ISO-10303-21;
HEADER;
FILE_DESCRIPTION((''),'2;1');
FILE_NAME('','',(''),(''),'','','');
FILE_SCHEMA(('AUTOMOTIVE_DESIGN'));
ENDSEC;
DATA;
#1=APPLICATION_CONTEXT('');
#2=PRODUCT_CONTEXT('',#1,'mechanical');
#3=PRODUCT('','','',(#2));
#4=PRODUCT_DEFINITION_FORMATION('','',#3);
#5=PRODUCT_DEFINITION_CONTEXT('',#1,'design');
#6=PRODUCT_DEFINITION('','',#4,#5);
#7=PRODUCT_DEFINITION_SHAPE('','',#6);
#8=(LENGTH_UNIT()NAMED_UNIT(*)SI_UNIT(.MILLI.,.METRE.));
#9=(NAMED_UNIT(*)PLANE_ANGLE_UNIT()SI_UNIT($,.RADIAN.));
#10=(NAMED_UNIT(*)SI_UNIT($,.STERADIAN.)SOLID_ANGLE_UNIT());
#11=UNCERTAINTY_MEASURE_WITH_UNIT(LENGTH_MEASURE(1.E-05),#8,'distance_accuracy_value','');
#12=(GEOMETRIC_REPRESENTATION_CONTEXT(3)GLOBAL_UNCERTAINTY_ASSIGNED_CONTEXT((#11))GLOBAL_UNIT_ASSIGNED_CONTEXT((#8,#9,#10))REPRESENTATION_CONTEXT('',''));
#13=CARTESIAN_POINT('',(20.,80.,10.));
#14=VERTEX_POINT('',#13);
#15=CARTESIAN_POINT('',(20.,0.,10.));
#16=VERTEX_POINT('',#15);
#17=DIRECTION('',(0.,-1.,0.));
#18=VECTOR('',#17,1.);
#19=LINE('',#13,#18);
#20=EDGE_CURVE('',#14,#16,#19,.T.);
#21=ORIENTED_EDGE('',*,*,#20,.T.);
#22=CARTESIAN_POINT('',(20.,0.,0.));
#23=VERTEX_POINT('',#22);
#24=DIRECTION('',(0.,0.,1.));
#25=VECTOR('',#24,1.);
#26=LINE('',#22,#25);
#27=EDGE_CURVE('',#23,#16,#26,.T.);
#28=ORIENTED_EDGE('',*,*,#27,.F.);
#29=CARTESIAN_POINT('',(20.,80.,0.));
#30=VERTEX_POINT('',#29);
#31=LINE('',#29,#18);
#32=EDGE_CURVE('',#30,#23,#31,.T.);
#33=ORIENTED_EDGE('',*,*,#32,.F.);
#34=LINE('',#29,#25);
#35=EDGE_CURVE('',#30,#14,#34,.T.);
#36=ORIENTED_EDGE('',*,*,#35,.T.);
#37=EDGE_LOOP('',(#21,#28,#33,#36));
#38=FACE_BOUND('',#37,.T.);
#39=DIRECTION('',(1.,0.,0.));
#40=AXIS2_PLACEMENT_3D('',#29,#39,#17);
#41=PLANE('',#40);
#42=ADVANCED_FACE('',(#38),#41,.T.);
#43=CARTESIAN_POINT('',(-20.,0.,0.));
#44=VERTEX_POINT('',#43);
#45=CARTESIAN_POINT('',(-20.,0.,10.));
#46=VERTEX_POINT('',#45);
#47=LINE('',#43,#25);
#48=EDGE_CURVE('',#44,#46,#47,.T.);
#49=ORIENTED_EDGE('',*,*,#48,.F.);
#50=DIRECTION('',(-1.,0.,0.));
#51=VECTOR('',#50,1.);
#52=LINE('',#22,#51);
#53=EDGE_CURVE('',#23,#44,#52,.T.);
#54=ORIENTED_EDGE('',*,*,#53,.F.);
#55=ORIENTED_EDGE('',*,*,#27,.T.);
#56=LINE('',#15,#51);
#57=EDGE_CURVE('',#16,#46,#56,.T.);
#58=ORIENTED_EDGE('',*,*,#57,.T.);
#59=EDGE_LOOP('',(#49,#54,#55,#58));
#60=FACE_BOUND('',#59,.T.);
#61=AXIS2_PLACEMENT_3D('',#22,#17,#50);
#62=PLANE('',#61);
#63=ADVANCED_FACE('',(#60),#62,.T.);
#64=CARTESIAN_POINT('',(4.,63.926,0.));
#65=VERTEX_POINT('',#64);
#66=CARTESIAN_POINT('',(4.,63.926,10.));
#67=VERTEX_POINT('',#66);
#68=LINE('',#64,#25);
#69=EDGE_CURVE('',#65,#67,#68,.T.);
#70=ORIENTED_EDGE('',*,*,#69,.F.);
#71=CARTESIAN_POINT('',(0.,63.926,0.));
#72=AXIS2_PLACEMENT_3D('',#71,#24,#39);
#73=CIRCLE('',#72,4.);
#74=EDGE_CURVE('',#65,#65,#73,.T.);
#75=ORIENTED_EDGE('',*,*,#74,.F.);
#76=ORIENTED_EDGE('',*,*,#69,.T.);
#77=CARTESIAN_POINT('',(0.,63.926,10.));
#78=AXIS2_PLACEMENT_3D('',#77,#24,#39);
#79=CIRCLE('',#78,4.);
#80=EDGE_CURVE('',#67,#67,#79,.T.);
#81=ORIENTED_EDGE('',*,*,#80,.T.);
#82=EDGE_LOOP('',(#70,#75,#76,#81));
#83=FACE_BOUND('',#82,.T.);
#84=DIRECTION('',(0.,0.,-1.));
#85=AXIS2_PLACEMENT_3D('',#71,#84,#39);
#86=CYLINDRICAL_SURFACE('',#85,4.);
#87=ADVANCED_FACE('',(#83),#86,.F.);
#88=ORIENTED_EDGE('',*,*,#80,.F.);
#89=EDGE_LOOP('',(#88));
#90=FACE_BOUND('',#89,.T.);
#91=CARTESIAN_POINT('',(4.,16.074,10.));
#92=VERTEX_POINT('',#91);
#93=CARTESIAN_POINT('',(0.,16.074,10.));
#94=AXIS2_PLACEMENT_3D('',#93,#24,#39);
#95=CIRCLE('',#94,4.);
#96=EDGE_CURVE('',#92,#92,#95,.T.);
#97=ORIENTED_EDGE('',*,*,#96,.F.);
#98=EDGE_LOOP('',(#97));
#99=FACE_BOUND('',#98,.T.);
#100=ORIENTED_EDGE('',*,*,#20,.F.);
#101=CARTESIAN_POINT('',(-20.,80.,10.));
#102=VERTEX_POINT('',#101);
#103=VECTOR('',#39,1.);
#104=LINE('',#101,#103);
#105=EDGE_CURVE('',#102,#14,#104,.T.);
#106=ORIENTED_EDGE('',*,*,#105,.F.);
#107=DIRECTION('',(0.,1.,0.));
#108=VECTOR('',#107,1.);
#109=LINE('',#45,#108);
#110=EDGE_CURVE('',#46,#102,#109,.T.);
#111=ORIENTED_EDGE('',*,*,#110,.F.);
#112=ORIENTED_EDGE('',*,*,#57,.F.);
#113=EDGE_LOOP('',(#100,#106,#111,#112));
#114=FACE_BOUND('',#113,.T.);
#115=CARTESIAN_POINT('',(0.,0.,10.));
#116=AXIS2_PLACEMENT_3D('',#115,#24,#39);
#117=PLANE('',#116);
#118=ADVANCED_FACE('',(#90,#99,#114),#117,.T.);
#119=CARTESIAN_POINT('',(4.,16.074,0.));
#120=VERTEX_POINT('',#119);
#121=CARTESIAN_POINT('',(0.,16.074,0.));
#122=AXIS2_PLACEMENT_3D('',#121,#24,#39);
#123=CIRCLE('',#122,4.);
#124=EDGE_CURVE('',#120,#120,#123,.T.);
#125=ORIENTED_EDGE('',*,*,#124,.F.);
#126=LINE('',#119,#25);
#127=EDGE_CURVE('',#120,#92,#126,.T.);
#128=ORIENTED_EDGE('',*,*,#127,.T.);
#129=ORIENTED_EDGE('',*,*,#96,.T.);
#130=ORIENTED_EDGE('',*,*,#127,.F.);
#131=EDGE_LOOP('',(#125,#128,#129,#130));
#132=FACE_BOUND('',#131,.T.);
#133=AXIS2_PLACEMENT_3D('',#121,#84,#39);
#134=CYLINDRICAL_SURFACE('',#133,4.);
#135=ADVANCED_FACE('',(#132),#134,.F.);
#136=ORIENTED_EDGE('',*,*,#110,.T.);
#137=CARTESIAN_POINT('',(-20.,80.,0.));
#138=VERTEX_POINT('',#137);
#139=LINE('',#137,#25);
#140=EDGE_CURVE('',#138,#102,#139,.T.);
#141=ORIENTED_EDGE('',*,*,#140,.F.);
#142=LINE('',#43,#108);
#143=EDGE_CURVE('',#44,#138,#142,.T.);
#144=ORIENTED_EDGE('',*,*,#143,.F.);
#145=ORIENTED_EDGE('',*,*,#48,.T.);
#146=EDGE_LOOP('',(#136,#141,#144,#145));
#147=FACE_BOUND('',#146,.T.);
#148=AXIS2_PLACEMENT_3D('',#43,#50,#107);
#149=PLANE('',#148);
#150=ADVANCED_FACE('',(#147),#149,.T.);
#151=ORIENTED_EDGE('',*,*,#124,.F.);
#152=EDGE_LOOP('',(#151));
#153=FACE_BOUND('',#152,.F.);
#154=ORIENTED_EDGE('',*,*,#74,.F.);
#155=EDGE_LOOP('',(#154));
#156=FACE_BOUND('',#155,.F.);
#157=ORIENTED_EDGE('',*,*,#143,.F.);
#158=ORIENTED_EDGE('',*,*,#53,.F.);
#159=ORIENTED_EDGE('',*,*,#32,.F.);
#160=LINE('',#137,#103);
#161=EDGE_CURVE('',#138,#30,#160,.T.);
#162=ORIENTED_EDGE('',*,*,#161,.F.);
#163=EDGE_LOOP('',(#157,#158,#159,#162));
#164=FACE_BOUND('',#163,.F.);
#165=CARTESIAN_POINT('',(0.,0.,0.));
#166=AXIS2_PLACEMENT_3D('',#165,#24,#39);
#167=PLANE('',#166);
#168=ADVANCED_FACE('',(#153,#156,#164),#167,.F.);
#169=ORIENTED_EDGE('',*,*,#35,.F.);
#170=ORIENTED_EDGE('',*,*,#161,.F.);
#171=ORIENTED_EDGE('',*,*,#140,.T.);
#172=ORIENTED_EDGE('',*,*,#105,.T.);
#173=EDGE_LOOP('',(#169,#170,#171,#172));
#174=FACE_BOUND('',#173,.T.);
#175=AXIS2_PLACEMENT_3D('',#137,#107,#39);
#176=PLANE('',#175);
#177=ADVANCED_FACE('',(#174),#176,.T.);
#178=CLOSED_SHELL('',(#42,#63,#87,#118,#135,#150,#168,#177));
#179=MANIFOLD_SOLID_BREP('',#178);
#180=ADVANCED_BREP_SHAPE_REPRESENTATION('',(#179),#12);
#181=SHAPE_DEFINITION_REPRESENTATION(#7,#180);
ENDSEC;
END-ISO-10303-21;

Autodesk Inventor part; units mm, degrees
ref_plane "YZ Plane" through (0, 0, 0) normal (1, 0, 0) x (0, 1, 0)
ref_plane "XZ Plane" through (0, 0, 0) normal (0, 1, 0) x (-1, 0, 0)
ref_plane "XY Plane" through (0, 0, 0) normal (0, 0, 1) x (1, 0, 0)
sketch "스케치1" plane through (0, 0, 0) normal (0, 0, 1) x (1, 0, 0)
  line L0 (-20, 80) -> (20, 80)
  line L1 (20, 80) -> (20, 0)
  line L2 (20, 0) -> (-20, 0)
  line L3 (-20, 0) -> (-20, 80)
  circle A0 centre (0, 63.926) radius 4
  line L4 (0, 80) -> (0, 0) construction
  line L5 (-20, 40) -> (20, 40) construction
  circle A1 centre (0, 16.074) radius 4
  dimension "d0" = 40
  dimension "d1" = 80
  dimension "d2" = 8
  dimension "d3" = 16.074
extrude "돌출1" add sketch "스케치1" along normal blind 10
properties part number "I_bracket"
